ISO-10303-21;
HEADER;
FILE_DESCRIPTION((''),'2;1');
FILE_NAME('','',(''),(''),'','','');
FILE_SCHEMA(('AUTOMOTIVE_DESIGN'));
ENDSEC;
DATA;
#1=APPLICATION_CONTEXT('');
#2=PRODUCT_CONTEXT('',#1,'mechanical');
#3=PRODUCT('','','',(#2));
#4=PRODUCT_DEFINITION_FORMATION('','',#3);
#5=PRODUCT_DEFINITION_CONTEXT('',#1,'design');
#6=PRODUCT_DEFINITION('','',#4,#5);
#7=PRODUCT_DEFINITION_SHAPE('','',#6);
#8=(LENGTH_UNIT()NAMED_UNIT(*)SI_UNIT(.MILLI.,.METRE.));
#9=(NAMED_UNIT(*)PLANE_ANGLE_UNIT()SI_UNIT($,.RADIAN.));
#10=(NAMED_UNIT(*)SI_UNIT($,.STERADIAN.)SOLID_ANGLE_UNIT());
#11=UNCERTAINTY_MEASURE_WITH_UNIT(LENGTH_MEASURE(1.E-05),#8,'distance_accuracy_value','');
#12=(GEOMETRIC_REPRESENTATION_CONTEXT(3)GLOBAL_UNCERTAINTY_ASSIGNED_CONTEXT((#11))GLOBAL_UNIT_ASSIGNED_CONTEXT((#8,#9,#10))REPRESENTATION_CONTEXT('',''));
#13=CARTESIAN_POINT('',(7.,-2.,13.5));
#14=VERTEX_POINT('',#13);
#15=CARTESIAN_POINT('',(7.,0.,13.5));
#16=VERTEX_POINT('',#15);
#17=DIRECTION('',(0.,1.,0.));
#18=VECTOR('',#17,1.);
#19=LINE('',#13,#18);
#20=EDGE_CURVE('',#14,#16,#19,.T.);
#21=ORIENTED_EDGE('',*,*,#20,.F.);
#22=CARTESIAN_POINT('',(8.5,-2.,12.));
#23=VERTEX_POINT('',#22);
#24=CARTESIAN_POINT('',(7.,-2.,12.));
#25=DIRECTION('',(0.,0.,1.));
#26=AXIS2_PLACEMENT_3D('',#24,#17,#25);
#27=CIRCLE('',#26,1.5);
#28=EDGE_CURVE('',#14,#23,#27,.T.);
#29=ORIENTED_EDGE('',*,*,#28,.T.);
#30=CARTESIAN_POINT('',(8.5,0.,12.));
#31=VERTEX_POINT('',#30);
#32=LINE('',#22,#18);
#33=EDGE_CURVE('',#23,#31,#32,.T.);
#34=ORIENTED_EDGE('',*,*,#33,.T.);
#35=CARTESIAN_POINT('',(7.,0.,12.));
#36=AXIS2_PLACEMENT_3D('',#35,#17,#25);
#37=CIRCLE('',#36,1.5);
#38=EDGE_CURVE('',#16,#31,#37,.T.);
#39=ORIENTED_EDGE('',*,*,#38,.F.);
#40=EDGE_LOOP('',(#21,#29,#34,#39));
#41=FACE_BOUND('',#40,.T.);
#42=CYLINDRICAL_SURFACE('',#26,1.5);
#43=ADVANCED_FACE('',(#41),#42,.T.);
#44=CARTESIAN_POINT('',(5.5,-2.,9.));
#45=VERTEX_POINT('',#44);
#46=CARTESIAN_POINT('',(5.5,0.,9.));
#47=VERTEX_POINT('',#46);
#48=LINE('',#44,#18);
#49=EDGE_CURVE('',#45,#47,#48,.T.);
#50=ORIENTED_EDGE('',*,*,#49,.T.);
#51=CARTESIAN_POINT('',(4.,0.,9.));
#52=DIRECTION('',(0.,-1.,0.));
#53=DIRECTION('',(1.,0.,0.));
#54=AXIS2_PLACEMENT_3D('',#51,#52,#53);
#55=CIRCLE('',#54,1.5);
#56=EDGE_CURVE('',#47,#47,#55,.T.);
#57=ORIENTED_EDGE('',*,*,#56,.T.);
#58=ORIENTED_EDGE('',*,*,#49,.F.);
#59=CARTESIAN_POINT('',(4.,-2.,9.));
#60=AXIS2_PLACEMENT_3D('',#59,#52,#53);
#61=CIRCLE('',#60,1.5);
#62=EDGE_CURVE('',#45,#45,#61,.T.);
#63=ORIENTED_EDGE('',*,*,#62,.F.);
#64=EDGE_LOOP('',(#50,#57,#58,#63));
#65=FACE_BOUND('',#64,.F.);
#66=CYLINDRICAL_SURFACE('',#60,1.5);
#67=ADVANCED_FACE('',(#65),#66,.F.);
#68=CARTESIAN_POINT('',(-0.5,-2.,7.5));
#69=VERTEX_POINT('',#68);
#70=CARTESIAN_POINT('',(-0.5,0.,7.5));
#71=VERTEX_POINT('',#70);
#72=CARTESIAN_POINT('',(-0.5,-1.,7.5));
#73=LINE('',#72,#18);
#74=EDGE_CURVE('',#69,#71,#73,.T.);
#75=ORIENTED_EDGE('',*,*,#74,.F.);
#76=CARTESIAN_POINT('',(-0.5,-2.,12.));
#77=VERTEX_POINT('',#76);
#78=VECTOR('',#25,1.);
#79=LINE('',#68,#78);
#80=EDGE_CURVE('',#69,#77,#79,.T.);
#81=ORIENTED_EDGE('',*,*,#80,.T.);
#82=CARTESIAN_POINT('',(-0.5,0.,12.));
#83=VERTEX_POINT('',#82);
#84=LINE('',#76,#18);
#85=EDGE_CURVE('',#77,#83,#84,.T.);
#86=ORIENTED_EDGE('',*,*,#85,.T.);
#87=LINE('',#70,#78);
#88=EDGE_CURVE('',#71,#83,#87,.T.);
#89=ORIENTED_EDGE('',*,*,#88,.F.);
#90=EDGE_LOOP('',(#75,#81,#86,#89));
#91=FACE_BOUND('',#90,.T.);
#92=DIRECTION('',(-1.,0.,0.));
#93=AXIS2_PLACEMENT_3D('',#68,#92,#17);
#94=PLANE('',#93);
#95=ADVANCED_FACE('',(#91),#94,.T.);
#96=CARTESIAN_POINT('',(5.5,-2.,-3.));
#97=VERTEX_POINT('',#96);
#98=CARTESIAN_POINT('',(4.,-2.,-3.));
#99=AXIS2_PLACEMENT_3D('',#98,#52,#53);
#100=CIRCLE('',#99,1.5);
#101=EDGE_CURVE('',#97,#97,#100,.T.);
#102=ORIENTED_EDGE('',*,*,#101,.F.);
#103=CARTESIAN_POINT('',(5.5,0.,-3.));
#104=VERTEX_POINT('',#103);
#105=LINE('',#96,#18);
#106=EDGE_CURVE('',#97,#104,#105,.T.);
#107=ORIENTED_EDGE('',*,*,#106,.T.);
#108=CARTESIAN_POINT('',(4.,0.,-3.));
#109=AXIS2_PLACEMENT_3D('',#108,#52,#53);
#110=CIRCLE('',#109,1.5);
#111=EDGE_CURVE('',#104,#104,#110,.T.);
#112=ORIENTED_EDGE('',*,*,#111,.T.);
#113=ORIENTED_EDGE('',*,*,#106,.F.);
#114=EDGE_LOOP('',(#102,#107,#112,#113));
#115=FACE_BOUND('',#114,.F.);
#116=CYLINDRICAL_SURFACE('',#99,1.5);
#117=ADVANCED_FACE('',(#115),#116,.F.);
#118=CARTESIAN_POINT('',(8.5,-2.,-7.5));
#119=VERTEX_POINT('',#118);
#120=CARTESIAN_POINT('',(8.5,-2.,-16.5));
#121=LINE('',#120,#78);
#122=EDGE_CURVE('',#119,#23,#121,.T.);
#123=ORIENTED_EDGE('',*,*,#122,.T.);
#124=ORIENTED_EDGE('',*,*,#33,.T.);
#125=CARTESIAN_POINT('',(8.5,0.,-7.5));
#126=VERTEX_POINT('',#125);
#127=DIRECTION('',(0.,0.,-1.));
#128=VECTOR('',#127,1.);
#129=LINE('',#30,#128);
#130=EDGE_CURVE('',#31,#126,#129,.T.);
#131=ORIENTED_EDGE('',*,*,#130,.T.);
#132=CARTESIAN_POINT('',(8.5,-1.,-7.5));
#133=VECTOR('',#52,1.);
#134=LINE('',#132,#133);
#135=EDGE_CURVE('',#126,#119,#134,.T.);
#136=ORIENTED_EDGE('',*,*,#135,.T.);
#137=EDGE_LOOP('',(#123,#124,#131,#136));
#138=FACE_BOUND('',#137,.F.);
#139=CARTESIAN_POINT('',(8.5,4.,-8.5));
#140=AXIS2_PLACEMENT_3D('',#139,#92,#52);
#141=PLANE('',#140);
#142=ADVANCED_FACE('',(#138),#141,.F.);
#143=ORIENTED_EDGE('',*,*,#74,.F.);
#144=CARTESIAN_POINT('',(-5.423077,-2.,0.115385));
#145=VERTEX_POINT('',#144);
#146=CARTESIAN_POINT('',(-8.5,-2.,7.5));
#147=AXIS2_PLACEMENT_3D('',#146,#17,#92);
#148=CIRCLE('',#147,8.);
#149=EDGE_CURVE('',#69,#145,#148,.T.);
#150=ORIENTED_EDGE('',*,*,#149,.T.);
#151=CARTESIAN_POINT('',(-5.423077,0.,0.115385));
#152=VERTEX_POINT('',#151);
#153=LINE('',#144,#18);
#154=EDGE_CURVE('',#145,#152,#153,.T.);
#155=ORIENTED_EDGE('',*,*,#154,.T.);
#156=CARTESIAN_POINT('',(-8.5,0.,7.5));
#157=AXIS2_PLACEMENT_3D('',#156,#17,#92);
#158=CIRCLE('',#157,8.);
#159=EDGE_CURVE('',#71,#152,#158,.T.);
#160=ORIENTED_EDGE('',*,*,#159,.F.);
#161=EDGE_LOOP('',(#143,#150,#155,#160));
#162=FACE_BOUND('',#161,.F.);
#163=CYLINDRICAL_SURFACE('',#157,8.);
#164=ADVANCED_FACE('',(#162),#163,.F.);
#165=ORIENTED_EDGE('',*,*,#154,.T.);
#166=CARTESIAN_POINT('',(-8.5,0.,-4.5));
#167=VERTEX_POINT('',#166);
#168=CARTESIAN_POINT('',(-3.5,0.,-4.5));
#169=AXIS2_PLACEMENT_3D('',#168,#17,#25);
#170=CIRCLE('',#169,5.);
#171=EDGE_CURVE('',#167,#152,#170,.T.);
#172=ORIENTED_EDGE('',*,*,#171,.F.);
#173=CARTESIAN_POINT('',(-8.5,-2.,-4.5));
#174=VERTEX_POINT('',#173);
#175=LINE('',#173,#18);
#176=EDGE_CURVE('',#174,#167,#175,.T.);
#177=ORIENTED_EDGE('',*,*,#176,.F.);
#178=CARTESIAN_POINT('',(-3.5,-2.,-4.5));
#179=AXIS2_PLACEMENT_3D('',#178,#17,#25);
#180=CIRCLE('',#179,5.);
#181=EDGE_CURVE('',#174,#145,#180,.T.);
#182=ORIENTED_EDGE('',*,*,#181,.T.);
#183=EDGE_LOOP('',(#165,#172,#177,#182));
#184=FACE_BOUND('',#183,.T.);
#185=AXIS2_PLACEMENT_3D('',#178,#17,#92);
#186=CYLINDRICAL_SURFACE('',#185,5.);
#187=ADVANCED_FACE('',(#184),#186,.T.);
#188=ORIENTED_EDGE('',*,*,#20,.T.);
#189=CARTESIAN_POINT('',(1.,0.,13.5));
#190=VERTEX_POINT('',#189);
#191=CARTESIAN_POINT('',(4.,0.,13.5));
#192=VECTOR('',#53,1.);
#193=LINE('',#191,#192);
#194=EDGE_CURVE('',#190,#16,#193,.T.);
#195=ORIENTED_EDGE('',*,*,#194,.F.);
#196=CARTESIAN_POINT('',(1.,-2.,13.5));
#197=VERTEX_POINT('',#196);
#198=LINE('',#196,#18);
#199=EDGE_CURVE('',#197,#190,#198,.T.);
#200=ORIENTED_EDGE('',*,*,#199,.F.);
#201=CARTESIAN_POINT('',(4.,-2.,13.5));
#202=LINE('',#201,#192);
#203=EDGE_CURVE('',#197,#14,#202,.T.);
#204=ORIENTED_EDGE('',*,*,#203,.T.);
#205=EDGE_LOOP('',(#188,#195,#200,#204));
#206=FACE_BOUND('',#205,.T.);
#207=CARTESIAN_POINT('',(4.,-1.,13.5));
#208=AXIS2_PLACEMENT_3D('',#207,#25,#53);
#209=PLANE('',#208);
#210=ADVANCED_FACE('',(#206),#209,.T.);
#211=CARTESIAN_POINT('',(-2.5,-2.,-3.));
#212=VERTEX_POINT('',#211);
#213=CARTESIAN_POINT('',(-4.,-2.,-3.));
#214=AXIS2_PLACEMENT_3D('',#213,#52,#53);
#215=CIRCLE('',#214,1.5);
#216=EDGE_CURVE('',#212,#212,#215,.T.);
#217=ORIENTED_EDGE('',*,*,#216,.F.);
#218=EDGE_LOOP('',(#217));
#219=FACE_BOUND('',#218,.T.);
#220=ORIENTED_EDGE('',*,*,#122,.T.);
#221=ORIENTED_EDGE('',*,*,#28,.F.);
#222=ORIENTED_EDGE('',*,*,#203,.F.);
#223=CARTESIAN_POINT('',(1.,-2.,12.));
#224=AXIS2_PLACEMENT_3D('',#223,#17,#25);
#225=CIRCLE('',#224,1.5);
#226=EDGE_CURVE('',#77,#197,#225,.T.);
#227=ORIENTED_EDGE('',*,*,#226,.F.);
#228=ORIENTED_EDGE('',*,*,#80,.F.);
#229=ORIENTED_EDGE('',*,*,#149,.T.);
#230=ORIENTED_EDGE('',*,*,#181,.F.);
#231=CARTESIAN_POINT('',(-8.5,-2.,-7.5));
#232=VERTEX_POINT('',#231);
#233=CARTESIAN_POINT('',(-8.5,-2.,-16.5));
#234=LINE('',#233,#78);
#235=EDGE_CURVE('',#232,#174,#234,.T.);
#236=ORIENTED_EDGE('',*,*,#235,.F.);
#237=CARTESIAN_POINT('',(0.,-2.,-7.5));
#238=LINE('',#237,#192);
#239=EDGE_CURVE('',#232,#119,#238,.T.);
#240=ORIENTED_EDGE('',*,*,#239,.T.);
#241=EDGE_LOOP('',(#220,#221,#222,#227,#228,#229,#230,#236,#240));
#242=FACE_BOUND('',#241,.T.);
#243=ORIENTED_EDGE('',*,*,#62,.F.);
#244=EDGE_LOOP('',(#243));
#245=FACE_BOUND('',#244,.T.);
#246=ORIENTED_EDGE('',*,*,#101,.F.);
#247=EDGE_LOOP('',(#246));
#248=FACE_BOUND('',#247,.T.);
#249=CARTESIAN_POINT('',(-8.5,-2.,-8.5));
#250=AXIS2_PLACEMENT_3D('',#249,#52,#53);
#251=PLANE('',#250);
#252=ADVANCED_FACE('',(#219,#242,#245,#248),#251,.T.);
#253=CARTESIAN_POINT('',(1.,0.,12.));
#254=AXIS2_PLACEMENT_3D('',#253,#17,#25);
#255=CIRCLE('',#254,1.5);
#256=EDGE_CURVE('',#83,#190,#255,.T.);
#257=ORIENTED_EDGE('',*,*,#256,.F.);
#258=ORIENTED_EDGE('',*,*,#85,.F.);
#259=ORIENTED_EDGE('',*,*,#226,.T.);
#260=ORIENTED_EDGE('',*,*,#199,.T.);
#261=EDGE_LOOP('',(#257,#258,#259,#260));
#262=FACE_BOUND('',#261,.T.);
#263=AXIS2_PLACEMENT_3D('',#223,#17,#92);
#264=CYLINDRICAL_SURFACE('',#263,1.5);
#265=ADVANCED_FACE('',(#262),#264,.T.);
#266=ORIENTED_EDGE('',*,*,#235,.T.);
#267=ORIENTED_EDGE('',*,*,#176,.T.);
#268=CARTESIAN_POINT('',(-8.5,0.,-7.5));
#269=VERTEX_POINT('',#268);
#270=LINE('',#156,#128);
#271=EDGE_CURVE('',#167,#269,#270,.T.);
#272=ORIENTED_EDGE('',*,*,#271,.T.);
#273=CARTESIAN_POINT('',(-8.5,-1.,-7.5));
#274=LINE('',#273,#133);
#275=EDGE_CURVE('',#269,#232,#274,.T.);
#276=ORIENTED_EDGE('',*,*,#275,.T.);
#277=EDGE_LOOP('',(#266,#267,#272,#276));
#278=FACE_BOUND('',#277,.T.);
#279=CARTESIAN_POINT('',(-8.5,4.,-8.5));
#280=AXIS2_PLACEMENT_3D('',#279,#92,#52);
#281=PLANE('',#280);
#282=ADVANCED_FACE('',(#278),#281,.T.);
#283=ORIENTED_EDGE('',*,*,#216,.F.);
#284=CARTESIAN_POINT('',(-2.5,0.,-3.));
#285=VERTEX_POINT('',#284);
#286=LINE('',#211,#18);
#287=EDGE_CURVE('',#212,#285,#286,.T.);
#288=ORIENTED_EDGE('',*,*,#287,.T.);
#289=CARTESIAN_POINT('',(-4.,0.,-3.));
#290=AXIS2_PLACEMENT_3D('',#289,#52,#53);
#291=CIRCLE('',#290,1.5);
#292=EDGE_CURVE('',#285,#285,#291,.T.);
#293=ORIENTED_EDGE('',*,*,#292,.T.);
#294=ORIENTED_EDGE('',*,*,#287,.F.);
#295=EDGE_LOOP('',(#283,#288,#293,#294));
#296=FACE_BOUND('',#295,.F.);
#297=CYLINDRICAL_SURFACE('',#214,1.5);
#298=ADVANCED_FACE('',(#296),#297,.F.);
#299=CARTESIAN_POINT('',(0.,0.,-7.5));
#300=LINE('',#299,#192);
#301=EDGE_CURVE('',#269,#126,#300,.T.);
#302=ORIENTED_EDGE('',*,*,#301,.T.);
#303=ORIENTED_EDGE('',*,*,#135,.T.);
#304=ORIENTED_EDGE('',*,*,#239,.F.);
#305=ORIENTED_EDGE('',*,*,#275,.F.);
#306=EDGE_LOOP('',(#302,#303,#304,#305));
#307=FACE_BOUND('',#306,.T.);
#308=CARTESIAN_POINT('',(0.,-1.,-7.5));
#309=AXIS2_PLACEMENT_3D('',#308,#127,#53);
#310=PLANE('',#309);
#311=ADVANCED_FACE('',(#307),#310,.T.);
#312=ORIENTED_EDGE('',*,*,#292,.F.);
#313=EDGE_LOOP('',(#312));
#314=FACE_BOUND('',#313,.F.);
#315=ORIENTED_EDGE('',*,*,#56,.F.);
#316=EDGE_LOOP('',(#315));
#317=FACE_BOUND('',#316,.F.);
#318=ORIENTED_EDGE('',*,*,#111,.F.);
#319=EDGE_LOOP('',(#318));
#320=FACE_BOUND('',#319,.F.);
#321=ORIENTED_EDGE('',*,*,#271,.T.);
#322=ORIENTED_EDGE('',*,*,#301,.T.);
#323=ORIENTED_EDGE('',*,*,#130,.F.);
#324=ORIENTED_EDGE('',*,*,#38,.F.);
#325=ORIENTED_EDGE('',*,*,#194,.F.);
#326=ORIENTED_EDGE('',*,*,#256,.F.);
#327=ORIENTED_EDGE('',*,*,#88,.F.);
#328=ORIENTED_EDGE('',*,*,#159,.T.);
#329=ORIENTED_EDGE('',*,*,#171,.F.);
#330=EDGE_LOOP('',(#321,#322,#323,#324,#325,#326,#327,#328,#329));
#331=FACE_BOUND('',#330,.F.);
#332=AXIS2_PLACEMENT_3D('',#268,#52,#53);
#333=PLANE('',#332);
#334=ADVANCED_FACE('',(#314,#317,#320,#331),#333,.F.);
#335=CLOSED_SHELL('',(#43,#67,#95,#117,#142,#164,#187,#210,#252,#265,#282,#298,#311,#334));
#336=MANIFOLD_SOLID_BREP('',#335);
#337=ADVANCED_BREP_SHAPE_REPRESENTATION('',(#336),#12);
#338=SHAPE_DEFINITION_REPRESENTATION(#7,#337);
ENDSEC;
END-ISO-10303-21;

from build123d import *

# Parameters (mm, degrees)
F0_W      = 17
F0_H      = 15
F1_DEPTH  = 2
F2_R      = 1.5
F3_DEPTH  = 25
F4_W      = 9
F4_H      = 2
F5_DEPTH  = 6
F6_R      = 1.5
F7_DEPTH  = 25
F8_R      = 1.5
F9_W      = 17
F9_H      = 2
F10_DEPTH = 1
F11_W     = 17
F11_H     = 6
F12_DEPTH = 8
F13_W     = 17
F13_H     = 8
F14_DEPTH = 25
F15_W     = 17
F15_H     = 2
F16_DEPTH = 1
F17_R     = 8
F18_DEPTH = 25
F19_R     = 5


with BuildPart() as f1:
    # F0 (on Front) → F1 (new body)
    with BuildSketch(Plane.XZ):
        Rectangle(F0_W, F0_H)
    extrude(amount=F1_DEPTH)

    # F2 (on face) → F3 (cut)
    with BuildSketch(Plane.XZ.offset(2)):
        with Locations((-4, -3)):
            Circle(F2_R)
        with Locations((4, -3)):
            Circle(F2_R)
    extrude(amount=-F3_DEPTH, mode=Mode.SUBTRACT)

    # F4 (on face) → F5 (join)
    with BuildSketch(Plane.XY.offset(7.5)):
        with Locations((4, -1)):
            Rectangle(F4_W, F4_H)
    extrude(amount=F5_DEPTH)

    # F6 (on face) → F7 (cut)
    with BuildSketch(Plane.XZ.offset(2)):
        with Locations((4, 9)):
            Circle(F6_R)
    extrude(amount=-F7_DEPTH, mode=Mode.SUBTRACT)

    # F8
    f8_edges = [f1.edges().sort_by_distance(p)[0] for p in [
        (8.5, -1, 13.5),
        (-0.5, -1, 13.5),
    ]]
    fillet(f8_edges, radius=F8_R)

    # F9 (on face) → F10 (join)
    with BuildSketch(Plane(origin=(0, 0, -7.5), x_dir=(1, 0, 0), z_dir=(0, 0, -1))):
        with Locations((0, 1)):
            Rectangle(F9_W, F9_H)
    extrude(amount=F10_DEPTH)

    # F11 (on face) → F12 (join)
    with BuildSketch(Plane(origin=(0, 0, -8.5), x_dir=(1, 0, 0), z_dir=(0, 0, -1))):
        with Locations((0, -1)):
            Rectangle(F11_W, F11_H)
    extrude(amount=F12_DEPTH)

    # F13 (on face) → F14 (cut)
    with BuildSketch(Plane(origin=(0, 4, 0), x_dir=(-1, 0, 0), z_dir=(0, 1, 0))):
        with Locations((0, -12.5)):
            Rectangle(F13_W, F13_H)
    extrude(amount=-F14_DEPTH, mode=Mode.SUBTRACT)

    # F15 (on face) → F16 (cut)
    with BuildSketch(Plane(origin=(0, 0, -8.5), x_dir=(1, 0, 0), z_dir=(0, 0, -1))):
        with Locations((0, 1)):
            Rectangle(F15_W, F15_H)
    extrude(amount=-F16_DEPTH, mode=Mode.SUBTRACT)

    # F17 (on face) → F18 (cut)
    with BuildSketch(Plane(origin=(0, 0, 0), x_dir=(-1, 0, 0), z_dir=(0, 1, 0))):
        with Locations((8.5, 7.5)):
            Circle(F17_R)
    extrude(amount=-F18_DEPTH, mode=Mode.SUBTRACT)

    # F19
    f19_edges = [f1.edges().sort_by_distance(p)[0] for p in [
        (-8.5, -1, -0.5),
    ]]
    fillet(f19_edges, radius=F19_R)


solid = f1.part
